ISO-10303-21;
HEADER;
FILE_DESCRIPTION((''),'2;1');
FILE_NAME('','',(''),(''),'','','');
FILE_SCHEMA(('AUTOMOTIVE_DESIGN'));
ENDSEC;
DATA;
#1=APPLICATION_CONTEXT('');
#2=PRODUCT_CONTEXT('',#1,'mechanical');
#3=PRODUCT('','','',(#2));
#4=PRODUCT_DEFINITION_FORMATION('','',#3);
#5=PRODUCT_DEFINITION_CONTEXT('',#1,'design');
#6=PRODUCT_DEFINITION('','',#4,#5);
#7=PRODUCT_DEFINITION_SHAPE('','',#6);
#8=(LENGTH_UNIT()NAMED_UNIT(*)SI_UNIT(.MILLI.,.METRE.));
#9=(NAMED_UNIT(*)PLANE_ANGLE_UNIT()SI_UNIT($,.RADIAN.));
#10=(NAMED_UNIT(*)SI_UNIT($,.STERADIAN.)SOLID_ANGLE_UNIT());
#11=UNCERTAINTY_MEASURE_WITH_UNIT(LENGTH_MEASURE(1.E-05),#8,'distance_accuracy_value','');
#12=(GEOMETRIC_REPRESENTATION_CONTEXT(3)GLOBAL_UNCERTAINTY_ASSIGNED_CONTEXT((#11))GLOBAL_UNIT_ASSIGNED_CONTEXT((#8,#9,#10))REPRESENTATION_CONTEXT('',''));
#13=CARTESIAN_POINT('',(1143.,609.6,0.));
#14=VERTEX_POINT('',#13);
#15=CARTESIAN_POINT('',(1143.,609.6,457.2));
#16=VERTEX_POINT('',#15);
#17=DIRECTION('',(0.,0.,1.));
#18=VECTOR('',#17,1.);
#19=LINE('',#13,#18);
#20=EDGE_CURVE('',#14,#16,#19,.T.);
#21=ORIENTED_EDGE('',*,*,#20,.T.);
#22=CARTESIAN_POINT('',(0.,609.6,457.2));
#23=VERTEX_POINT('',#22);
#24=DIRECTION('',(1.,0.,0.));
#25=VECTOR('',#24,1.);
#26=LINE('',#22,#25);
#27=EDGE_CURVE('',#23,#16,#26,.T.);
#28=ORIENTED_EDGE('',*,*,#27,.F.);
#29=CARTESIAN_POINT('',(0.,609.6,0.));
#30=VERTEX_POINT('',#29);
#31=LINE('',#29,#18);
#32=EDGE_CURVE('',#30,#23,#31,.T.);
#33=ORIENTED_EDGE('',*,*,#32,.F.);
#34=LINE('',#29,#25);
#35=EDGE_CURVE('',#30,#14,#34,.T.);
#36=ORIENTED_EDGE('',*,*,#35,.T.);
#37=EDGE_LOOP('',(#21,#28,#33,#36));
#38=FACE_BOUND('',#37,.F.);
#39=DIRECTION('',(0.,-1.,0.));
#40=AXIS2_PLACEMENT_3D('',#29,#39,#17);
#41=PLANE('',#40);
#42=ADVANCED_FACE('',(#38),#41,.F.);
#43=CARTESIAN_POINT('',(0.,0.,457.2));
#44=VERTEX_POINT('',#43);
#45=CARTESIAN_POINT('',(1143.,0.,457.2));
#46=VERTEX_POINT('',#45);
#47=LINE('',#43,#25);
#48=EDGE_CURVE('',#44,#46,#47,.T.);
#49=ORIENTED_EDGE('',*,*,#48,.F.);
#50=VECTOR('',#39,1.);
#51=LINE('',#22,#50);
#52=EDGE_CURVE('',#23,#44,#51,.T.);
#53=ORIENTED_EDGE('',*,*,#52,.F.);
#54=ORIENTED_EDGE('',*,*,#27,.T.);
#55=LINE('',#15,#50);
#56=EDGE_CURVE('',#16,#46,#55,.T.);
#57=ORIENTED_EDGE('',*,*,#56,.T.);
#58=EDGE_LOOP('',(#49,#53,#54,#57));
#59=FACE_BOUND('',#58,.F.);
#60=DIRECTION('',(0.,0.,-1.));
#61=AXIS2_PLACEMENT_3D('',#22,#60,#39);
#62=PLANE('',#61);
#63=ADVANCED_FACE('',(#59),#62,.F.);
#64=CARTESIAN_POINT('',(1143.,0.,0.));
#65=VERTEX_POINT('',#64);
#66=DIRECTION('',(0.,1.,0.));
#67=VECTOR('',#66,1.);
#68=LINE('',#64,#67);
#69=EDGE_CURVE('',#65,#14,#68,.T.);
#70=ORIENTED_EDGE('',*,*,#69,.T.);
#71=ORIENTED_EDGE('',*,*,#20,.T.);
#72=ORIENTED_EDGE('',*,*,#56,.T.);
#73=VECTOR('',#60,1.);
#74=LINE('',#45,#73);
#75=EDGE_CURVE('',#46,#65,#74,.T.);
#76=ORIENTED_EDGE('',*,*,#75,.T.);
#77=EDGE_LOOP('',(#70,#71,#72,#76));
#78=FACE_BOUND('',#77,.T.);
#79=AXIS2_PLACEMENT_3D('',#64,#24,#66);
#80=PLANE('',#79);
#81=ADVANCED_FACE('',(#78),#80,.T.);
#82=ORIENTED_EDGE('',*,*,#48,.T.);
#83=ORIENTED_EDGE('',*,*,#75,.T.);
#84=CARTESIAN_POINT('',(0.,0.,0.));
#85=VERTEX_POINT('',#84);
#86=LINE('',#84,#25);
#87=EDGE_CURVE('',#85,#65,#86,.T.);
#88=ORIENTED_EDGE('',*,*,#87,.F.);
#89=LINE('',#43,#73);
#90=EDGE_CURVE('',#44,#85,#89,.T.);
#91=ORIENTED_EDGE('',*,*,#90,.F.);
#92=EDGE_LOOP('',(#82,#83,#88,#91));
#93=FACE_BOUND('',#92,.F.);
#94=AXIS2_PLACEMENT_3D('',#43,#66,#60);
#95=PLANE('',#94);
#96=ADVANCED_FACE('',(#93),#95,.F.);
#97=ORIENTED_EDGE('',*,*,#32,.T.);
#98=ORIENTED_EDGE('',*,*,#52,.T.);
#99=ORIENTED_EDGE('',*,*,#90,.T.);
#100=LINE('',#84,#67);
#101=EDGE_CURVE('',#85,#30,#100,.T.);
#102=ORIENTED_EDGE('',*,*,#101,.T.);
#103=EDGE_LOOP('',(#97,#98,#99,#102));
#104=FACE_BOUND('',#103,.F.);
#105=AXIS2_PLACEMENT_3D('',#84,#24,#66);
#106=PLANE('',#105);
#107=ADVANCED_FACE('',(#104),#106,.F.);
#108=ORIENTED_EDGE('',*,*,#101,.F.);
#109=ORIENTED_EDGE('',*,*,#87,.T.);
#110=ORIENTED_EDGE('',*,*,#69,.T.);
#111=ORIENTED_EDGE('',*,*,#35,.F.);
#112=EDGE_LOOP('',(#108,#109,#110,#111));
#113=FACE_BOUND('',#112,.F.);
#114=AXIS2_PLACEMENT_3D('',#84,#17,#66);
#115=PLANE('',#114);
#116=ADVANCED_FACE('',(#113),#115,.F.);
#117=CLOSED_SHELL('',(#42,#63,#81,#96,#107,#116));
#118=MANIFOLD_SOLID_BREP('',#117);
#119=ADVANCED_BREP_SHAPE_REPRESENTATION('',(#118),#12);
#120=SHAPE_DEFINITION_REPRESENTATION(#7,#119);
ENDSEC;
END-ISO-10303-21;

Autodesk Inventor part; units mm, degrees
ref_plane "YZ Plane" through (0, 0, 0) normal (1, 0, 0) x (0, 1, 0)
ref_plane "XZ Plane" through (0, 0, 0) normal (0, 1, 0) x (-1, 0, 0)
ref_plane "XY Plane" through (0, 0, 0) normal (0, 0, 1) x (1, 0, 0)
sketch "Sketch1" plane through (0, 0, 0) normal (1, 0, 0) x (0, 1, 0)
  line L0 (0, 0) -> (609.6, 0)
  line L1 (609.6, 0) -> (609.6, 457.2)
  line L2 (609.6, 457.2) -> (0, 457.2)
  line L3 (0, 457.2) -> (0, 0)
  dimension "d0" = 609.6
  dimension "d1" = 457.2
extrude "Extrusion1" add sketch "Sketch1" along normal blind 1143
properties part number "24x18x80lf" material "Granite, Cut, Polished"
